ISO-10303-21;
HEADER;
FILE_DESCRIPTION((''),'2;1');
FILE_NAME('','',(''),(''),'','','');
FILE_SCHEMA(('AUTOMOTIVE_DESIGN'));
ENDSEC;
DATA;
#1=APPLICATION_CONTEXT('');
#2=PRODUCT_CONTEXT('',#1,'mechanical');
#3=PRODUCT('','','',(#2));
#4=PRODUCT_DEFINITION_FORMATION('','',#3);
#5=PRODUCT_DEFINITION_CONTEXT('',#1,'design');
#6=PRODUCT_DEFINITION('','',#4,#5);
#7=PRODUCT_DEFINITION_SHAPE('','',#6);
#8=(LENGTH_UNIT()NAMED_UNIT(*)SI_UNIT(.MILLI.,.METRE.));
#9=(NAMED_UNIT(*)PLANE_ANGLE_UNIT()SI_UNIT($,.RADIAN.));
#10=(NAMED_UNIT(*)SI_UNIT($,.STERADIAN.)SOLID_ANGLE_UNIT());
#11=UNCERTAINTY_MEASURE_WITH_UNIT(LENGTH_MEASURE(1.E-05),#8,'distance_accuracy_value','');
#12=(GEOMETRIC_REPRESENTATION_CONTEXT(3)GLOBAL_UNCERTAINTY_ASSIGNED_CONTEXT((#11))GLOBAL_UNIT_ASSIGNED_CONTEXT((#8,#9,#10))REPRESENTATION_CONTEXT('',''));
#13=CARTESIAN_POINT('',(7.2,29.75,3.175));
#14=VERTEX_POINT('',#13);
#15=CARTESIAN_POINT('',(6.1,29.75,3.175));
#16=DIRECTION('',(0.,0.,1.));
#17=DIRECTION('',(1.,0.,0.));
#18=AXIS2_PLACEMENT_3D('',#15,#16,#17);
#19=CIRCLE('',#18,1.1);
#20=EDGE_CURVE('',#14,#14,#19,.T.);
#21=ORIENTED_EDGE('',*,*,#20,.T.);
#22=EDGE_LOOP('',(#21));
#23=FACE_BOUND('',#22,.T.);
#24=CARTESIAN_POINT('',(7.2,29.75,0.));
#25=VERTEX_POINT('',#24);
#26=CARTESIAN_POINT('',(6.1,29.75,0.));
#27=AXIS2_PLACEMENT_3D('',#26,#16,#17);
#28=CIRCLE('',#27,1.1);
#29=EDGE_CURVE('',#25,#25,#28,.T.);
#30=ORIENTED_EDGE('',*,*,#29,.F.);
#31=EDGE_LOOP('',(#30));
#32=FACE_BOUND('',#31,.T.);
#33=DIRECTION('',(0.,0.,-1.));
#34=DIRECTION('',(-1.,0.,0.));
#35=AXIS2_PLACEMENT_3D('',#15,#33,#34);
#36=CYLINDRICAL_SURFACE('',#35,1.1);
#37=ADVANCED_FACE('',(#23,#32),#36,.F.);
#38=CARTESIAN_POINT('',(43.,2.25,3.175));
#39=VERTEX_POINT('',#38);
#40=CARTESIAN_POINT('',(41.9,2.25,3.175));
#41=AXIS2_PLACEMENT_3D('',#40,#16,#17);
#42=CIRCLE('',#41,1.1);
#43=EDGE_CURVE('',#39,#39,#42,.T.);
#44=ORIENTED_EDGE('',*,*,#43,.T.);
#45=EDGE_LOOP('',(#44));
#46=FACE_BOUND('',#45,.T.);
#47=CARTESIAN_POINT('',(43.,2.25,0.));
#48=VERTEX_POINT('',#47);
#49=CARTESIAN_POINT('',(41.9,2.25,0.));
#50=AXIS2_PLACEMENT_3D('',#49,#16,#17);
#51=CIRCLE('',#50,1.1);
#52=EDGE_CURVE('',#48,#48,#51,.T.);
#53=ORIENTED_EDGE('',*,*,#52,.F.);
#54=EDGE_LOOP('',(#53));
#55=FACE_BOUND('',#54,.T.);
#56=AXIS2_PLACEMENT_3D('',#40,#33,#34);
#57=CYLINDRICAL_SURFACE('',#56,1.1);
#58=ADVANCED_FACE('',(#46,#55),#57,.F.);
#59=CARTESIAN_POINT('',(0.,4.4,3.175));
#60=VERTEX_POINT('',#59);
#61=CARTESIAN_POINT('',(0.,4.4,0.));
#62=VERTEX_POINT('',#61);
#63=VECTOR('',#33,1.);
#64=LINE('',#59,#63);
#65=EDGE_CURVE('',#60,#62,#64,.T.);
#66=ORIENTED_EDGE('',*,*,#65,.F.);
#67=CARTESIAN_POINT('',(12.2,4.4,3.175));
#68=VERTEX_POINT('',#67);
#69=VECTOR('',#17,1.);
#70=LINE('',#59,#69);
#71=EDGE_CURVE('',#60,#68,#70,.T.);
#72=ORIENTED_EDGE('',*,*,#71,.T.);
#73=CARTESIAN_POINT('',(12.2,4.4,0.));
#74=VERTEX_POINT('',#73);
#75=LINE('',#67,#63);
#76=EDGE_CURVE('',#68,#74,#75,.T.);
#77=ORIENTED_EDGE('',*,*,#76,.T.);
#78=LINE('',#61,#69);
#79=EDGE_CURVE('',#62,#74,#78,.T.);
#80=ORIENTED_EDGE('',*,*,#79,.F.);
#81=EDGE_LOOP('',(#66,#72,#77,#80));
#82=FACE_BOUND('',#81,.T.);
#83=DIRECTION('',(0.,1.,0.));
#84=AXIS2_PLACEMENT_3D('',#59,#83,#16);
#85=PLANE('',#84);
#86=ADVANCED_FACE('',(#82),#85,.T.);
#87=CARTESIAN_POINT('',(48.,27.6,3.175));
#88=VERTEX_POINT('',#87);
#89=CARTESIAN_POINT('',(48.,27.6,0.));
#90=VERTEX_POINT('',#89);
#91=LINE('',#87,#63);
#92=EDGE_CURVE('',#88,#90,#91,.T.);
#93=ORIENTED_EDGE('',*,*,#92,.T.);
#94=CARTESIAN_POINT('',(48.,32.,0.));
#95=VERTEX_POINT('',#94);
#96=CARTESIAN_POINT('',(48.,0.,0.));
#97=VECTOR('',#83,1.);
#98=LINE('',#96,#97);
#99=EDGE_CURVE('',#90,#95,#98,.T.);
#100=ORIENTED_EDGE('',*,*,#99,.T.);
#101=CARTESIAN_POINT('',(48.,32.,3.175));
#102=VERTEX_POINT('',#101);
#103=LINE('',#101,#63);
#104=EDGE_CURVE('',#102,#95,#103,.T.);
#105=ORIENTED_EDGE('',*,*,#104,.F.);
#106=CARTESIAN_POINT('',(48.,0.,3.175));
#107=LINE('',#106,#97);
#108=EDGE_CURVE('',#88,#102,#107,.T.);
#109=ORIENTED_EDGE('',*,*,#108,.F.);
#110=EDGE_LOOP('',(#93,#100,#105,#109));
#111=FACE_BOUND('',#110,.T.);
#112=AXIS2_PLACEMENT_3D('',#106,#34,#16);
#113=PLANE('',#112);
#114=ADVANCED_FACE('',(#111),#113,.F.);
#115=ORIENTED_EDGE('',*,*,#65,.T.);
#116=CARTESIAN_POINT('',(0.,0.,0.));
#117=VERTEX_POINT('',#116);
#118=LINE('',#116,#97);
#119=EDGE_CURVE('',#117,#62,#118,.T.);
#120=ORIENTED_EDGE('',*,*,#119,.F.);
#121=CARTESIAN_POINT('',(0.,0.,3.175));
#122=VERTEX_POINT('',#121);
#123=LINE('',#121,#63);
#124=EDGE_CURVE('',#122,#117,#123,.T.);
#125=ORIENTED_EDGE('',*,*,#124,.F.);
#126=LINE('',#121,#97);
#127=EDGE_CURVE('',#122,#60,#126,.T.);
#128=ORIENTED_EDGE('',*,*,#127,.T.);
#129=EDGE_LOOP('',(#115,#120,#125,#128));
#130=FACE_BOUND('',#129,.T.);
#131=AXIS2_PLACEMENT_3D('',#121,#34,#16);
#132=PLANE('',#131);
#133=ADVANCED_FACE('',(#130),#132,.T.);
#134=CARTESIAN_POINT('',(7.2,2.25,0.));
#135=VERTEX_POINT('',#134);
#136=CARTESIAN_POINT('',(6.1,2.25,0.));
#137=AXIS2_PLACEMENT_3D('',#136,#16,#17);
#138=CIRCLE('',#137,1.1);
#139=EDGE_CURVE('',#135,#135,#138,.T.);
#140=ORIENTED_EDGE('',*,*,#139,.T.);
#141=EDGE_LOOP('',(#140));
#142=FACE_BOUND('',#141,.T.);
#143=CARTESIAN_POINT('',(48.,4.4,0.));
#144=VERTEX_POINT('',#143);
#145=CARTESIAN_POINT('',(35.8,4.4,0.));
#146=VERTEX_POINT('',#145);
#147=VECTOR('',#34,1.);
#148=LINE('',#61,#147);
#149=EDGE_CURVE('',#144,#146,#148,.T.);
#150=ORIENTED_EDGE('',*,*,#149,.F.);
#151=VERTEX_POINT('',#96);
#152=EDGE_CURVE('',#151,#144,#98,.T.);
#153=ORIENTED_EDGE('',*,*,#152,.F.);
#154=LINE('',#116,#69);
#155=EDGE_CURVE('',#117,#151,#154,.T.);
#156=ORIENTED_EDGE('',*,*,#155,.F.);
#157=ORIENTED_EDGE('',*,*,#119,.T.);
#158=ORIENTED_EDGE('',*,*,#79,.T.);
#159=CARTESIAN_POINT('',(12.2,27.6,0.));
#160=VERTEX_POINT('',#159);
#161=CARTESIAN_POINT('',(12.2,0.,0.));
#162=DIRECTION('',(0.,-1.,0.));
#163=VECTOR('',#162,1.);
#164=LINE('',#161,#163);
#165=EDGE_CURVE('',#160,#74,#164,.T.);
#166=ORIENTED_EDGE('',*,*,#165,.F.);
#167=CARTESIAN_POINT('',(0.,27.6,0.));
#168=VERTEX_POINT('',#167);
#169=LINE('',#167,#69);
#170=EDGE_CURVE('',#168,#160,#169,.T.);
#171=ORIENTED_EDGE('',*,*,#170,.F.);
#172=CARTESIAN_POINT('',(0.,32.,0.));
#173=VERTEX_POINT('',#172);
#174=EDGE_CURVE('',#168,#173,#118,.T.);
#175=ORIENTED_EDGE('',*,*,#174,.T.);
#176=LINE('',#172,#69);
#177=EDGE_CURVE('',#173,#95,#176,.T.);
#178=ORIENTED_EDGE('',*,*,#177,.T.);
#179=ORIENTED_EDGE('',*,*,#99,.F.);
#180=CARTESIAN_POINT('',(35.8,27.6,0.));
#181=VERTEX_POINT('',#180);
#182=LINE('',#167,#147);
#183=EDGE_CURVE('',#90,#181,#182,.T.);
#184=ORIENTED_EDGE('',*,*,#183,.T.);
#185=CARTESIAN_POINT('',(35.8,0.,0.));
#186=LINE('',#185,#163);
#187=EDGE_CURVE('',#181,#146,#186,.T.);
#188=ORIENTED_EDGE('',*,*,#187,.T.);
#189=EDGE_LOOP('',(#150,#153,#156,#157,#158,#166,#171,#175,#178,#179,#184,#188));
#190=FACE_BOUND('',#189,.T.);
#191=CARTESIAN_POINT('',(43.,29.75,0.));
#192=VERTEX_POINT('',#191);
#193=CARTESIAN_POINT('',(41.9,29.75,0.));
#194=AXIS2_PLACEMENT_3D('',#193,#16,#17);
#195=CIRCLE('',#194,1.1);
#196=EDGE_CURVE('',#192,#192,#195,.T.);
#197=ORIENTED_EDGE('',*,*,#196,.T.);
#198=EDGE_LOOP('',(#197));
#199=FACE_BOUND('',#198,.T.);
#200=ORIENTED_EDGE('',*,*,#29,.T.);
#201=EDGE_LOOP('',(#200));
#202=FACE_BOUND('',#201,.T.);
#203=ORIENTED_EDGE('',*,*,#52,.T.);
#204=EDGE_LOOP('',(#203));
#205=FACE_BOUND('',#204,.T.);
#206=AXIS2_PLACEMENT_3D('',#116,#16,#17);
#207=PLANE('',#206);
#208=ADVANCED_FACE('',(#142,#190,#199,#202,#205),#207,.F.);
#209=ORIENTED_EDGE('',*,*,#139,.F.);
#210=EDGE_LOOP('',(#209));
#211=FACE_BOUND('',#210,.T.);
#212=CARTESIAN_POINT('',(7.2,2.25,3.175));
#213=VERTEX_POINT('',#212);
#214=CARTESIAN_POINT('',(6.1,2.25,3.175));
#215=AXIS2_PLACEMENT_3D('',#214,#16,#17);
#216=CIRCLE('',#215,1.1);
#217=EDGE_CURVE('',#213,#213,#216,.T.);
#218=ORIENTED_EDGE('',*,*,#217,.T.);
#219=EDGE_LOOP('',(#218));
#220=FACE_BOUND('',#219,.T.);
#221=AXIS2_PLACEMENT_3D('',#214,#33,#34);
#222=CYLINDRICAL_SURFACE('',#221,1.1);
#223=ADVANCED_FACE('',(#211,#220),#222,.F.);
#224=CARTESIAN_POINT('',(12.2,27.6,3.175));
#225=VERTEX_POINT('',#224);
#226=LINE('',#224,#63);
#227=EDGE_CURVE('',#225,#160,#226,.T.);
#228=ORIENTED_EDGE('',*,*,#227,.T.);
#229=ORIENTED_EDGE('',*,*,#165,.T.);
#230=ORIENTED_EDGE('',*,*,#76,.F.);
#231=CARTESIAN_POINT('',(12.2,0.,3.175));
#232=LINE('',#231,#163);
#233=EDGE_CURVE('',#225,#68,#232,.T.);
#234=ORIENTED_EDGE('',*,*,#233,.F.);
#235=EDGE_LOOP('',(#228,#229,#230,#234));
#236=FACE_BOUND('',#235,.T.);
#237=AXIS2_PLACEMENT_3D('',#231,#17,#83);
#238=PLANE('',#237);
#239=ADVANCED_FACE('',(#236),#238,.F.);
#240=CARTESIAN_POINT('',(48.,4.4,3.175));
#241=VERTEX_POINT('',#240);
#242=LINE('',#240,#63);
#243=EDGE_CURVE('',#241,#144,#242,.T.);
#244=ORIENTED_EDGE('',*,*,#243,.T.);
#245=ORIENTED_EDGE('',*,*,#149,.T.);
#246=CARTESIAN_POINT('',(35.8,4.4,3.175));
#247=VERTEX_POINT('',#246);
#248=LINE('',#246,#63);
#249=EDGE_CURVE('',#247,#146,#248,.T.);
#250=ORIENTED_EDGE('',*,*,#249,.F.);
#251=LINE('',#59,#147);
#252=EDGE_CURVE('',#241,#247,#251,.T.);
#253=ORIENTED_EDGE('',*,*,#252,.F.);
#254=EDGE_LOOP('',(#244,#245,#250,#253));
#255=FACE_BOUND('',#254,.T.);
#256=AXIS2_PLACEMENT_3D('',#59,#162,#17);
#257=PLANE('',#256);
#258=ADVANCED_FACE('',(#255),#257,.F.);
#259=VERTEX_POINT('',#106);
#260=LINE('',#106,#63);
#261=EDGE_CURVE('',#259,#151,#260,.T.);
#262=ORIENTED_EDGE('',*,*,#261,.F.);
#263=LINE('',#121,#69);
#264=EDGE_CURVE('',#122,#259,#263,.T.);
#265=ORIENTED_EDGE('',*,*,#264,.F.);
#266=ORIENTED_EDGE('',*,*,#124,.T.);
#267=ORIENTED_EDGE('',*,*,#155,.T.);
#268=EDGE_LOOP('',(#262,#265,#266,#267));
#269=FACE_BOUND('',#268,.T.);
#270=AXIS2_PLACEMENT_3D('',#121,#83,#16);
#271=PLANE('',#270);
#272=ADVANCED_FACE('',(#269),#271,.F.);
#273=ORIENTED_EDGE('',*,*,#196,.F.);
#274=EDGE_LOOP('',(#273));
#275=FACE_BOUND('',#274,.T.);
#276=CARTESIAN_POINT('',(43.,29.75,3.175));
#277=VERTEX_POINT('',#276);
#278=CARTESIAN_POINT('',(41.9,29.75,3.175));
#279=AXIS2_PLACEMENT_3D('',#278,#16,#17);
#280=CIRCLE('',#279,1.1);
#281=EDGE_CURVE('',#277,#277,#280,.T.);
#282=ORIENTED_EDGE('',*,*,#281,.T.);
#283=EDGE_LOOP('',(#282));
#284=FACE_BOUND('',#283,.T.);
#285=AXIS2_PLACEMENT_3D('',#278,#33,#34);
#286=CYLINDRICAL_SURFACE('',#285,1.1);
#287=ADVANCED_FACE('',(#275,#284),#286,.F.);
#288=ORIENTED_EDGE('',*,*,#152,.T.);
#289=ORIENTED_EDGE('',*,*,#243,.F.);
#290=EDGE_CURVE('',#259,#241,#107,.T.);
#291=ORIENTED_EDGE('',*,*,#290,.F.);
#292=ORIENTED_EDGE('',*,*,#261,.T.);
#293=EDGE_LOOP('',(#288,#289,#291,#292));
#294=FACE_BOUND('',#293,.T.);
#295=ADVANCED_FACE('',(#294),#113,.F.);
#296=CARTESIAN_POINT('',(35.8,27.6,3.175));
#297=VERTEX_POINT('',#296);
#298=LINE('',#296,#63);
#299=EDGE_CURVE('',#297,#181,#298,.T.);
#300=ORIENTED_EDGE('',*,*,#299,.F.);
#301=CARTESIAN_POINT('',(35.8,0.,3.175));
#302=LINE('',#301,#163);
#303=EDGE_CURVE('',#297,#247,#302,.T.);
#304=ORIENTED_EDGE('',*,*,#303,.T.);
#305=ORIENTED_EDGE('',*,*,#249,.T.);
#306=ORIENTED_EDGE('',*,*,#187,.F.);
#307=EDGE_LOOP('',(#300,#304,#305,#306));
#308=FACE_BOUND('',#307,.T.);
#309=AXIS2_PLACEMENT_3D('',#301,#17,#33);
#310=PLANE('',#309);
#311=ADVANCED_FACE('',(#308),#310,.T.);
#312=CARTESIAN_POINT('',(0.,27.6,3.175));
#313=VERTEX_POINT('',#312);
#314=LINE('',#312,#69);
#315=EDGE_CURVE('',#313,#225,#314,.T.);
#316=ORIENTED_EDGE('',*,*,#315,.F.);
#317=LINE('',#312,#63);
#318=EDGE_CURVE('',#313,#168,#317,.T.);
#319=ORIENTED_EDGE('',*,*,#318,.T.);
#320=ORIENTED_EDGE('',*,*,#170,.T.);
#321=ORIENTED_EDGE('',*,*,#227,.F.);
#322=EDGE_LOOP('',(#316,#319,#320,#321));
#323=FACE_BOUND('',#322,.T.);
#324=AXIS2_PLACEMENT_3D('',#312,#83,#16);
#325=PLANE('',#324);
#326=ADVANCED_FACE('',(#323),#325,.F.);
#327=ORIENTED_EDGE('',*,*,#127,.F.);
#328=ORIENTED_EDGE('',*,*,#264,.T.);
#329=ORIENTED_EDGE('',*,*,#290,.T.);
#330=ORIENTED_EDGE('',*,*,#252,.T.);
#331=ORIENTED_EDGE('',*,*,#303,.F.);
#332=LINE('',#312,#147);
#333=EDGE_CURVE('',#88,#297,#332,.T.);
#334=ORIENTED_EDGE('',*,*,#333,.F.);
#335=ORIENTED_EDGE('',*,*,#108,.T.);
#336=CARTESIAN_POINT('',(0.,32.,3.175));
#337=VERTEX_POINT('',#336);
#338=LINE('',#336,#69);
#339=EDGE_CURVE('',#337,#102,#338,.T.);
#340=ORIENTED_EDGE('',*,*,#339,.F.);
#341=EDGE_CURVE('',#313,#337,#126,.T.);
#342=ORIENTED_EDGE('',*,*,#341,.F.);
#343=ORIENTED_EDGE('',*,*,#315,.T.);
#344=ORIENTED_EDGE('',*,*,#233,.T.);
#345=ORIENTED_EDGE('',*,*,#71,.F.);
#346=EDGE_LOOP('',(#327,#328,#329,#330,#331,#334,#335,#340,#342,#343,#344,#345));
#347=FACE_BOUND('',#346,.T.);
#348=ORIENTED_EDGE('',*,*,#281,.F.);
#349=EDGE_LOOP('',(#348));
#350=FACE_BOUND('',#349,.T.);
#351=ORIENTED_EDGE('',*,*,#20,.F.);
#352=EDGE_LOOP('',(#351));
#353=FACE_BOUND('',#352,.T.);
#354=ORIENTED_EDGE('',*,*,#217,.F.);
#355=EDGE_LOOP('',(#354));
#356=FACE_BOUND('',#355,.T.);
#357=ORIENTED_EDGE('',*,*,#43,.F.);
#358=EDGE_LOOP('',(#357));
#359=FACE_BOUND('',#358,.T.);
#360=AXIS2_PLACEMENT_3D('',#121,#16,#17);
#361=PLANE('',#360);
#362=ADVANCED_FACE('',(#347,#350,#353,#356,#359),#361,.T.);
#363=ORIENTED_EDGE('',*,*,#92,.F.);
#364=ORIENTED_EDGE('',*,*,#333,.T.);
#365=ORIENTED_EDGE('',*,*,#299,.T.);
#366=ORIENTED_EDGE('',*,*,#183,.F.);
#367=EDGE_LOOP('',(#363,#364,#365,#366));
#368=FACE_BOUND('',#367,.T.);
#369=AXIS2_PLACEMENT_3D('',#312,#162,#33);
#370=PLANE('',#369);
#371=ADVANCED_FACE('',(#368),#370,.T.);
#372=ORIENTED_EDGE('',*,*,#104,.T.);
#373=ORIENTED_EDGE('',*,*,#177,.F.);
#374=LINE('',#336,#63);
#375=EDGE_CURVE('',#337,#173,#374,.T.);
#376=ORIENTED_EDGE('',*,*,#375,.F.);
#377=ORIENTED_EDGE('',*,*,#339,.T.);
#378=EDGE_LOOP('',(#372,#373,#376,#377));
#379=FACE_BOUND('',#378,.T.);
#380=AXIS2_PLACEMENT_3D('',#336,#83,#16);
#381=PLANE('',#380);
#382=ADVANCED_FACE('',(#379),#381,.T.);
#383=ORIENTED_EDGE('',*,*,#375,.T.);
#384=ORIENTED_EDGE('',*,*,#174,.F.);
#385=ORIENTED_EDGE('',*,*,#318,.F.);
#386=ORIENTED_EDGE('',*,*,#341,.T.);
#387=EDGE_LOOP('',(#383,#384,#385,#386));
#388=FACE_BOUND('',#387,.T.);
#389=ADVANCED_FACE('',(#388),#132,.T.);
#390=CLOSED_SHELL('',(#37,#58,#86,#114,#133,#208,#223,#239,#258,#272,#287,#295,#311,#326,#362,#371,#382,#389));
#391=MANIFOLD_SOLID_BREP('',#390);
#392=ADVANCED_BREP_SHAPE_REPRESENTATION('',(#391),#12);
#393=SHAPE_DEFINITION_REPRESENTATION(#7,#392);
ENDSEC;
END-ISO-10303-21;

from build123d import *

# Parameters (mm, degrees)
SKETCH1_R           = 1.1
BOSS_EXTRUDE1_DEPTH = 3.175


with BuildPart() as part:
    # Sketch1 → Boss-Extrude1 (new body)
    with BuildSketch(Plane.XY):
        Polygon((0, 4.4), (0, 0), (48, 0), (48, 4.4), (35.8, 4.4), (35.8, 27.6), (48, 27.6), (48, 32), (0, 32), (0, 27.6), (12.2, 27.6), (12.2, 4.4), align=None)
        with Locations((6.1, 2.25)):
            Circle(SKETCH1_R, mode=Mode.SUBTRACT)
        with Locations((41.9, 2.25)):
            Circle(SKETCH1_R, mode=Mode.SUBTRACT)
        with Locations((6.1, 29.75)):
            Circle(SKETCH1_R, mode=Mode.SUBTRACT)
        with Locations((41.9, 29.75)):
            Circle(SKETCH1_R, mode=Mode.SUBTRACT)
    extrude(amount=BOSS_EXTRUDE1_DEPTH)


solid = part.part
